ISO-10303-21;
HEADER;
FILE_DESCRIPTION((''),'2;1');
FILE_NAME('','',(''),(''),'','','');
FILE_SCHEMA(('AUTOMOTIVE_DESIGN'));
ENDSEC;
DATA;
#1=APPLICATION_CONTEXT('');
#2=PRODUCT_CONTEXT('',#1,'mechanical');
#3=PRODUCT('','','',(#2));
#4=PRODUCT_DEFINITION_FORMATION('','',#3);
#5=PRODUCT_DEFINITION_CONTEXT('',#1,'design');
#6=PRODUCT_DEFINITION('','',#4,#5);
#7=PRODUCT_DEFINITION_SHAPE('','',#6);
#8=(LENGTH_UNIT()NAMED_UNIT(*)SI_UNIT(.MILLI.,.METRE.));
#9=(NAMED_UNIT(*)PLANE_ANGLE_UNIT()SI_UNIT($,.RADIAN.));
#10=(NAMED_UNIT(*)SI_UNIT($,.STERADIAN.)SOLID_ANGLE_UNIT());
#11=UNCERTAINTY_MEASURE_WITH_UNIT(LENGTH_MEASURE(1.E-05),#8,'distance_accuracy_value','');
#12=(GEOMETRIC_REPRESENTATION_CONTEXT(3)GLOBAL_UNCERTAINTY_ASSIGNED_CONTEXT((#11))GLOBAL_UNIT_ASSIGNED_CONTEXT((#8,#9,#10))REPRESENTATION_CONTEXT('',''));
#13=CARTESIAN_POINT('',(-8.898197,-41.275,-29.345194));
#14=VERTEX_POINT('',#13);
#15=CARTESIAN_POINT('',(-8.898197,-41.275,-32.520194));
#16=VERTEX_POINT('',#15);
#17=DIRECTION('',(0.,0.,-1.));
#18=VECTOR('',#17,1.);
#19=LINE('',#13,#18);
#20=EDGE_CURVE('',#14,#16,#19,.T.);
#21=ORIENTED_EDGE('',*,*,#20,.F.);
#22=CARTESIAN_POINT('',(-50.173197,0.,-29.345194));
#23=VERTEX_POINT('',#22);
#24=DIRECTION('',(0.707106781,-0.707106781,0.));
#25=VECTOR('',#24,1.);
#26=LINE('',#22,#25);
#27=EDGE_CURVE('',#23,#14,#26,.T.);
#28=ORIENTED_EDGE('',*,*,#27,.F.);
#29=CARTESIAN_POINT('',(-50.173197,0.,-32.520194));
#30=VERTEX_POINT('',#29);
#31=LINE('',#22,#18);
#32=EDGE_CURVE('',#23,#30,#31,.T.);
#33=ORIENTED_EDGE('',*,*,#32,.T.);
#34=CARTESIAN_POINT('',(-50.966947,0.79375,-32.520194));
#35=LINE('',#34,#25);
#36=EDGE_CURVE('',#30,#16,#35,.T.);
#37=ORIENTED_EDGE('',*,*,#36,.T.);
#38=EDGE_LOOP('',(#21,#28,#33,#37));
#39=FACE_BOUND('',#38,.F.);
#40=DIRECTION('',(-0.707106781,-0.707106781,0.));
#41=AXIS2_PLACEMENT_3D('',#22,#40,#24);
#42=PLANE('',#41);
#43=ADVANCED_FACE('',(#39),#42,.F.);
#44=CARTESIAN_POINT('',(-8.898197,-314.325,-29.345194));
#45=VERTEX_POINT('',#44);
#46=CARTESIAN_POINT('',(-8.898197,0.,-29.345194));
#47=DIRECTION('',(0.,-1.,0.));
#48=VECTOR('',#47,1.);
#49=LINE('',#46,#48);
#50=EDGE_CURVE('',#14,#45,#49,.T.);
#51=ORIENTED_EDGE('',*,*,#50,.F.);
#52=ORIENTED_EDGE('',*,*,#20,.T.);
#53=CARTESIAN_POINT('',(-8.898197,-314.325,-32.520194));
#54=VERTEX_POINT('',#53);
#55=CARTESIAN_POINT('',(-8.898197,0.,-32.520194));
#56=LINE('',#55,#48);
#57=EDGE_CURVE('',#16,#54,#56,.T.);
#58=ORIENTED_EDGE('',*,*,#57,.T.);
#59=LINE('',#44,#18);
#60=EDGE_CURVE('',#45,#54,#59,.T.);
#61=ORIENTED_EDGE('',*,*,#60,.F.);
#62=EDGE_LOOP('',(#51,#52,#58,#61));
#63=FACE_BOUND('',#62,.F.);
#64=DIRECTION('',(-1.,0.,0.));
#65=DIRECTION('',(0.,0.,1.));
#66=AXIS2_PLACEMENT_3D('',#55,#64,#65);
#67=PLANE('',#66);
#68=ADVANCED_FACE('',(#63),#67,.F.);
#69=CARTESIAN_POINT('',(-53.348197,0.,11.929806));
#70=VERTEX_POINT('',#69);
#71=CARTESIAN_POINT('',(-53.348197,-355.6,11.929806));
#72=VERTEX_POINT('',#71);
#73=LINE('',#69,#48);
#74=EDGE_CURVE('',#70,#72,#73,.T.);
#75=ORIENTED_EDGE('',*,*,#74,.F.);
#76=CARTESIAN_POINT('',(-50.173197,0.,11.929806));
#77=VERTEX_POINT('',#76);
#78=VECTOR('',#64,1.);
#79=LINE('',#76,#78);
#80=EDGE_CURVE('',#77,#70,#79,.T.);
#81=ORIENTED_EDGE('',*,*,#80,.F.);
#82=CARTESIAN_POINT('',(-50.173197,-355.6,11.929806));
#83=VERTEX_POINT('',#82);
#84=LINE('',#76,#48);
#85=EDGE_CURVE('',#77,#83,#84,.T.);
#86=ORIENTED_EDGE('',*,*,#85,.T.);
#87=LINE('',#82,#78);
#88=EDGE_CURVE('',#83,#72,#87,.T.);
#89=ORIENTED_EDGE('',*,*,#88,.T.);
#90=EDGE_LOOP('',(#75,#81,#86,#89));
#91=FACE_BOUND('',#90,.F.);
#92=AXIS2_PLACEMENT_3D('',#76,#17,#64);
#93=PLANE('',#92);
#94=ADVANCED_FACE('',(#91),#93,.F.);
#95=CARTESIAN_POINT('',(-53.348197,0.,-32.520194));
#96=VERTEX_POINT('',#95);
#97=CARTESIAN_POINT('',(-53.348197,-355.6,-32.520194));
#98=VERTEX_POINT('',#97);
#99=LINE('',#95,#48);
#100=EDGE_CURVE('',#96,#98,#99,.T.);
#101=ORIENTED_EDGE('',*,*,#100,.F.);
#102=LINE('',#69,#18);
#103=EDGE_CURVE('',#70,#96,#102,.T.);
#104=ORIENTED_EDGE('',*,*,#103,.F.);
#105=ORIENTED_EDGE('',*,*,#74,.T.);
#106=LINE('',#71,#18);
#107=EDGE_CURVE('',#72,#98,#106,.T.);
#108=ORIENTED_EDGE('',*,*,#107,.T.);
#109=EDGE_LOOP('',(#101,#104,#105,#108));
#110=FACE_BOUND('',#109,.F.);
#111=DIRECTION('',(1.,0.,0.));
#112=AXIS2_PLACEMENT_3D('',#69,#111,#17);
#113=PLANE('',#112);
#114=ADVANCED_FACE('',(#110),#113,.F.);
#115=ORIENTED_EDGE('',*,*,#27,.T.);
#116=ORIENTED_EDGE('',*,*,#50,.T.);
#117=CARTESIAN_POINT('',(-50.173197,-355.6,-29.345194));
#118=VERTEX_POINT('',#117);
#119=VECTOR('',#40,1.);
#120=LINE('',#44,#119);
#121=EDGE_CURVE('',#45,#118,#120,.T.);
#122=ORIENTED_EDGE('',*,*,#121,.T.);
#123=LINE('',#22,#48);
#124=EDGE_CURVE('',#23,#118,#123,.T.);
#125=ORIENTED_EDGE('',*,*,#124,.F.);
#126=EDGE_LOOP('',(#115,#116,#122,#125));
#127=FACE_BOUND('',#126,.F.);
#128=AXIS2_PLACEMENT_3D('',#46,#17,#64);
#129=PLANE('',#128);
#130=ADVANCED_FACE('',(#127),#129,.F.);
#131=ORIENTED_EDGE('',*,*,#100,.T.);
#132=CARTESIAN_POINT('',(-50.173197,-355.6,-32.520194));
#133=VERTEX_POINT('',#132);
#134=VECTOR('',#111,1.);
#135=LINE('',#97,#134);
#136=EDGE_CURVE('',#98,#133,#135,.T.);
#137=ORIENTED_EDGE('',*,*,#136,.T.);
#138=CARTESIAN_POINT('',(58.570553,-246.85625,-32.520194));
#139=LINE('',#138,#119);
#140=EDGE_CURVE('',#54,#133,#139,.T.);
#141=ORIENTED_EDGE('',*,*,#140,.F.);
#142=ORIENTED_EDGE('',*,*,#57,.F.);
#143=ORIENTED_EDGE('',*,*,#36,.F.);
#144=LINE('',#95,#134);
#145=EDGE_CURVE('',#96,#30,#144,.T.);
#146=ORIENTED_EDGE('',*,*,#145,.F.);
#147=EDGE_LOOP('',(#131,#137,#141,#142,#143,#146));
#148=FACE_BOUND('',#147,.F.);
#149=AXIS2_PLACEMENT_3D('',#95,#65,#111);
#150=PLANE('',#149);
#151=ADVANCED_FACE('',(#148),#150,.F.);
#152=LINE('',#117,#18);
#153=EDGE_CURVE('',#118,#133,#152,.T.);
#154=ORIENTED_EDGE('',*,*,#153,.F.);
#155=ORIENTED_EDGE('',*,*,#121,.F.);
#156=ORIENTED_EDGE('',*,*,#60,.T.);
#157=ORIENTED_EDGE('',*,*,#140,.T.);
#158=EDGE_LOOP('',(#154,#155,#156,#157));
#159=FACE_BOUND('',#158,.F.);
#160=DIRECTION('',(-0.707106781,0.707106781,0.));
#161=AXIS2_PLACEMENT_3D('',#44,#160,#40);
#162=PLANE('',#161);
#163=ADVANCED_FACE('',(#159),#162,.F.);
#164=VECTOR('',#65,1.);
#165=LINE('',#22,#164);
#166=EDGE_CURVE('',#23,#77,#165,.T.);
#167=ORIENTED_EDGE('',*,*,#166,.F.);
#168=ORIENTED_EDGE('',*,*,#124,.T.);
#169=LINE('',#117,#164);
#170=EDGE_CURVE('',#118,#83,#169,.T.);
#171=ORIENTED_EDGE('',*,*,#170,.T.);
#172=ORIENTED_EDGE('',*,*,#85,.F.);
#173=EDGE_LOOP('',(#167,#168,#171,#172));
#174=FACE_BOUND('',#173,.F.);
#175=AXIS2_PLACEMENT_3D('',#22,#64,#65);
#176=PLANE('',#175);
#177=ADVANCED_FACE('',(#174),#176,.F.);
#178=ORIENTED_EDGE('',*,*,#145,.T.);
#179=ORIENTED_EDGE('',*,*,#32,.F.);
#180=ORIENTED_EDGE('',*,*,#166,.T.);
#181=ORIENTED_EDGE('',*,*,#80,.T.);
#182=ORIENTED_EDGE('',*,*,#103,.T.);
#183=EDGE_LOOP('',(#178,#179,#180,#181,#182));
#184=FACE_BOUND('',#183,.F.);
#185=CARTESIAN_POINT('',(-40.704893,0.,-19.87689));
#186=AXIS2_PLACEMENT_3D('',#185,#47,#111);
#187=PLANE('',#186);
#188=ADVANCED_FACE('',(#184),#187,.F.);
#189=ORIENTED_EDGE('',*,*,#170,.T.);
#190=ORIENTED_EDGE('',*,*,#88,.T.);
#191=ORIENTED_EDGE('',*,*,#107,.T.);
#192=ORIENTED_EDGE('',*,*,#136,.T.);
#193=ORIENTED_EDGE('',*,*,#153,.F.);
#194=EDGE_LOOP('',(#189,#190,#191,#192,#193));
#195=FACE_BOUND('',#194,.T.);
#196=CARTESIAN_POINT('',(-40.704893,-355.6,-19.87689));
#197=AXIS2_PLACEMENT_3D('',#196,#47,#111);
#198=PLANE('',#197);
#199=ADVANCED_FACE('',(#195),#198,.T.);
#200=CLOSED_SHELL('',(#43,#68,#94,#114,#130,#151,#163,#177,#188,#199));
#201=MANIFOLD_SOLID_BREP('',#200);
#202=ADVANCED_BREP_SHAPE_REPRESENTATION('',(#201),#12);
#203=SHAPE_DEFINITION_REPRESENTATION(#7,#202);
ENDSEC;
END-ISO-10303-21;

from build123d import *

# Parameters (mm, degrees)
F1_DEPTH = 355.6
F3_DEPTH = 25.4
F5_DEPTH = 25.4


with BuildPart() as f1:
    # F0 (on Front) → F1 (new body)
    with BuildSketch(Plane.XZ):
        Polygon((-53.348197, 11.929806), (-53.348197, -32.520194), (-8.898197, -32.520194), (-8.898197, -29.345194), (-50.173197, -29.345194), (-50.173197, 11.929806), align=None)
    extrude(amount=F1_DEPTH)

    # F2 (on face) → F3 (cut)
    with BuildSketch(Plane.XY.offset(-29.345194)):
        Polygon((-50.173197, 0), (-8.898197, -41.275), (-8.898197, 0), align=None)
    extrude(amount=-F3_DEPTH, mode=Mode.SUBTRACT)

    # F4 (on face) → F5 (cut)
    with BuildSketch(Plane.XY.offset(-29.345194)):
        Polygon((-8.898197, -355.6), (-8.898197, -314.325), (-50.173197, -355.6), align=None)
    extrude(amount=-F5_DEPTH, mode=Mode.SUBTRACT)


solid = f1.part
